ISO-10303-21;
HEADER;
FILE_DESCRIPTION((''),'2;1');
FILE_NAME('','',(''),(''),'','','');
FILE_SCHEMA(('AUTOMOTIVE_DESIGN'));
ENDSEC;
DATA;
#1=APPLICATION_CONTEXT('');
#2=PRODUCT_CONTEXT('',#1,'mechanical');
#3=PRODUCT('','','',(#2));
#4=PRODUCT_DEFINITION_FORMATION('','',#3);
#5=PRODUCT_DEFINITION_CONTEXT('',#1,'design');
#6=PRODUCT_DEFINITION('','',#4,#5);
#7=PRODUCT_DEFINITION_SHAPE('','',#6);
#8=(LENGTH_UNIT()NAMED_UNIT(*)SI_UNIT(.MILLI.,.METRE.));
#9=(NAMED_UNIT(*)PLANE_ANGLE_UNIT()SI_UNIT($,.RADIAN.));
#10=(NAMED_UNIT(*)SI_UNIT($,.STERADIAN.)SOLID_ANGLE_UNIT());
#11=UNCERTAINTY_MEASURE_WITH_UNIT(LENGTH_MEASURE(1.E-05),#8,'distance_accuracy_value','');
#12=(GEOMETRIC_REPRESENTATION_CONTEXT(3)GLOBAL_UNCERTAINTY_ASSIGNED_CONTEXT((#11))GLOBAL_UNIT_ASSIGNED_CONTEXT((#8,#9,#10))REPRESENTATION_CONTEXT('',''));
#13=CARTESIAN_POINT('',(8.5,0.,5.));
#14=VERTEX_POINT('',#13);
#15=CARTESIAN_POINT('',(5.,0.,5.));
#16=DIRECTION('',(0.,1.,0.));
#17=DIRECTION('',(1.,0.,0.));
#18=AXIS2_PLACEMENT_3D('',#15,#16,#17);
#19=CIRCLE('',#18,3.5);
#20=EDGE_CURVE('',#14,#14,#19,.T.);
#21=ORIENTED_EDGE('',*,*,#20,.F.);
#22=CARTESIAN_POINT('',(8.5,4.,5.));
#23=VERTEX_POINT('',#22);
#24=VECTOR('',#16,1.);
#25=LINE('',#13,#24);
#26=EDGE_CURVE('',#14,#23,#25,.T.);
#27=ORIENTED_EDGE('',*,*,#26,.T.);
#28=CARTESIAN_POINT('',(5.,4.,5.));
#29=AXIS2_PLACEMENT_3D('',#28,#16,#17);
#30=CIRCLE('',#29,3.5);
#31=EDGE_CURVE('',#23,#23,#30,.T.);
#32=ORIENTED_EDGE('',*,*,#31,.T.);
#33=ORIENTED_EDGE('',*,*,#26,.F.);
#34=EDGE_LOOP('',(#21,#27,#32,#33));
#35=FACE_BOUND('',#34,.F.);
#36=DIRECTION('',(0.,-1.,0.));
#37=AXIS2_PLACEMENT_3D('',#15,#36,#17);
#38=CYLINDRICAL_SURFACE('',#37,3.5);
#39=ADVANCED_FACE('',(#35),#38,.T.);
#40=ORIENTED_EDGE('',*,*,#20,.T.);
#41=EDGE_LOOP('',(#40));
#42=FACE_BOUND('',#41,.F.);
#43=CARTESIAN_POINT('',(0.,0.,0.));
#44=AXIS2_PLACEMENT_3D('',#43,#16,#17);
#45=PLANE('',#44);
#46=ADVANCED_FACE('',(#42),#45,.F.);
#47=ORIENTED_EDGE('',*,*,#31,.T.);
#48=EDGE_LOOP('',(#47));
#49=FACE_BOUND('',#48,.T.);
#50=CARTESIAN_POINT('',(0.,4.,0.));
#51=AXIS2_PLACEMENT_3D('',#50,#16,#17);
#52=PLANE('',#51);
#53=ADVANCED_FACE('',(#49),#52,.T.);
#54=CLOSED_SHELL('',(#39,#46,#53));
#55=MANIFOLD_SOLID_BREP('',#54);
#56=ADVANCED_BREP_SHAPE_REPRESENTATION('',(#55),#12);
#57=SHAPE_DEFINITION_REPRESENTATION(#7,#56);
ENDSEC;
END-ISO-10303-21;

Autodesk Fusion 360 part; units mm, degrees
sketch "Sketch1" plane through (0, 0, 0) normal (0, 1, 0) x (1, 0, 0)
  circle A0 centre (5, -5) radius 3.5
  dimension "d1" = 7
extrude "Extrude1" add sketch "Sketch1" along normal blind 4
